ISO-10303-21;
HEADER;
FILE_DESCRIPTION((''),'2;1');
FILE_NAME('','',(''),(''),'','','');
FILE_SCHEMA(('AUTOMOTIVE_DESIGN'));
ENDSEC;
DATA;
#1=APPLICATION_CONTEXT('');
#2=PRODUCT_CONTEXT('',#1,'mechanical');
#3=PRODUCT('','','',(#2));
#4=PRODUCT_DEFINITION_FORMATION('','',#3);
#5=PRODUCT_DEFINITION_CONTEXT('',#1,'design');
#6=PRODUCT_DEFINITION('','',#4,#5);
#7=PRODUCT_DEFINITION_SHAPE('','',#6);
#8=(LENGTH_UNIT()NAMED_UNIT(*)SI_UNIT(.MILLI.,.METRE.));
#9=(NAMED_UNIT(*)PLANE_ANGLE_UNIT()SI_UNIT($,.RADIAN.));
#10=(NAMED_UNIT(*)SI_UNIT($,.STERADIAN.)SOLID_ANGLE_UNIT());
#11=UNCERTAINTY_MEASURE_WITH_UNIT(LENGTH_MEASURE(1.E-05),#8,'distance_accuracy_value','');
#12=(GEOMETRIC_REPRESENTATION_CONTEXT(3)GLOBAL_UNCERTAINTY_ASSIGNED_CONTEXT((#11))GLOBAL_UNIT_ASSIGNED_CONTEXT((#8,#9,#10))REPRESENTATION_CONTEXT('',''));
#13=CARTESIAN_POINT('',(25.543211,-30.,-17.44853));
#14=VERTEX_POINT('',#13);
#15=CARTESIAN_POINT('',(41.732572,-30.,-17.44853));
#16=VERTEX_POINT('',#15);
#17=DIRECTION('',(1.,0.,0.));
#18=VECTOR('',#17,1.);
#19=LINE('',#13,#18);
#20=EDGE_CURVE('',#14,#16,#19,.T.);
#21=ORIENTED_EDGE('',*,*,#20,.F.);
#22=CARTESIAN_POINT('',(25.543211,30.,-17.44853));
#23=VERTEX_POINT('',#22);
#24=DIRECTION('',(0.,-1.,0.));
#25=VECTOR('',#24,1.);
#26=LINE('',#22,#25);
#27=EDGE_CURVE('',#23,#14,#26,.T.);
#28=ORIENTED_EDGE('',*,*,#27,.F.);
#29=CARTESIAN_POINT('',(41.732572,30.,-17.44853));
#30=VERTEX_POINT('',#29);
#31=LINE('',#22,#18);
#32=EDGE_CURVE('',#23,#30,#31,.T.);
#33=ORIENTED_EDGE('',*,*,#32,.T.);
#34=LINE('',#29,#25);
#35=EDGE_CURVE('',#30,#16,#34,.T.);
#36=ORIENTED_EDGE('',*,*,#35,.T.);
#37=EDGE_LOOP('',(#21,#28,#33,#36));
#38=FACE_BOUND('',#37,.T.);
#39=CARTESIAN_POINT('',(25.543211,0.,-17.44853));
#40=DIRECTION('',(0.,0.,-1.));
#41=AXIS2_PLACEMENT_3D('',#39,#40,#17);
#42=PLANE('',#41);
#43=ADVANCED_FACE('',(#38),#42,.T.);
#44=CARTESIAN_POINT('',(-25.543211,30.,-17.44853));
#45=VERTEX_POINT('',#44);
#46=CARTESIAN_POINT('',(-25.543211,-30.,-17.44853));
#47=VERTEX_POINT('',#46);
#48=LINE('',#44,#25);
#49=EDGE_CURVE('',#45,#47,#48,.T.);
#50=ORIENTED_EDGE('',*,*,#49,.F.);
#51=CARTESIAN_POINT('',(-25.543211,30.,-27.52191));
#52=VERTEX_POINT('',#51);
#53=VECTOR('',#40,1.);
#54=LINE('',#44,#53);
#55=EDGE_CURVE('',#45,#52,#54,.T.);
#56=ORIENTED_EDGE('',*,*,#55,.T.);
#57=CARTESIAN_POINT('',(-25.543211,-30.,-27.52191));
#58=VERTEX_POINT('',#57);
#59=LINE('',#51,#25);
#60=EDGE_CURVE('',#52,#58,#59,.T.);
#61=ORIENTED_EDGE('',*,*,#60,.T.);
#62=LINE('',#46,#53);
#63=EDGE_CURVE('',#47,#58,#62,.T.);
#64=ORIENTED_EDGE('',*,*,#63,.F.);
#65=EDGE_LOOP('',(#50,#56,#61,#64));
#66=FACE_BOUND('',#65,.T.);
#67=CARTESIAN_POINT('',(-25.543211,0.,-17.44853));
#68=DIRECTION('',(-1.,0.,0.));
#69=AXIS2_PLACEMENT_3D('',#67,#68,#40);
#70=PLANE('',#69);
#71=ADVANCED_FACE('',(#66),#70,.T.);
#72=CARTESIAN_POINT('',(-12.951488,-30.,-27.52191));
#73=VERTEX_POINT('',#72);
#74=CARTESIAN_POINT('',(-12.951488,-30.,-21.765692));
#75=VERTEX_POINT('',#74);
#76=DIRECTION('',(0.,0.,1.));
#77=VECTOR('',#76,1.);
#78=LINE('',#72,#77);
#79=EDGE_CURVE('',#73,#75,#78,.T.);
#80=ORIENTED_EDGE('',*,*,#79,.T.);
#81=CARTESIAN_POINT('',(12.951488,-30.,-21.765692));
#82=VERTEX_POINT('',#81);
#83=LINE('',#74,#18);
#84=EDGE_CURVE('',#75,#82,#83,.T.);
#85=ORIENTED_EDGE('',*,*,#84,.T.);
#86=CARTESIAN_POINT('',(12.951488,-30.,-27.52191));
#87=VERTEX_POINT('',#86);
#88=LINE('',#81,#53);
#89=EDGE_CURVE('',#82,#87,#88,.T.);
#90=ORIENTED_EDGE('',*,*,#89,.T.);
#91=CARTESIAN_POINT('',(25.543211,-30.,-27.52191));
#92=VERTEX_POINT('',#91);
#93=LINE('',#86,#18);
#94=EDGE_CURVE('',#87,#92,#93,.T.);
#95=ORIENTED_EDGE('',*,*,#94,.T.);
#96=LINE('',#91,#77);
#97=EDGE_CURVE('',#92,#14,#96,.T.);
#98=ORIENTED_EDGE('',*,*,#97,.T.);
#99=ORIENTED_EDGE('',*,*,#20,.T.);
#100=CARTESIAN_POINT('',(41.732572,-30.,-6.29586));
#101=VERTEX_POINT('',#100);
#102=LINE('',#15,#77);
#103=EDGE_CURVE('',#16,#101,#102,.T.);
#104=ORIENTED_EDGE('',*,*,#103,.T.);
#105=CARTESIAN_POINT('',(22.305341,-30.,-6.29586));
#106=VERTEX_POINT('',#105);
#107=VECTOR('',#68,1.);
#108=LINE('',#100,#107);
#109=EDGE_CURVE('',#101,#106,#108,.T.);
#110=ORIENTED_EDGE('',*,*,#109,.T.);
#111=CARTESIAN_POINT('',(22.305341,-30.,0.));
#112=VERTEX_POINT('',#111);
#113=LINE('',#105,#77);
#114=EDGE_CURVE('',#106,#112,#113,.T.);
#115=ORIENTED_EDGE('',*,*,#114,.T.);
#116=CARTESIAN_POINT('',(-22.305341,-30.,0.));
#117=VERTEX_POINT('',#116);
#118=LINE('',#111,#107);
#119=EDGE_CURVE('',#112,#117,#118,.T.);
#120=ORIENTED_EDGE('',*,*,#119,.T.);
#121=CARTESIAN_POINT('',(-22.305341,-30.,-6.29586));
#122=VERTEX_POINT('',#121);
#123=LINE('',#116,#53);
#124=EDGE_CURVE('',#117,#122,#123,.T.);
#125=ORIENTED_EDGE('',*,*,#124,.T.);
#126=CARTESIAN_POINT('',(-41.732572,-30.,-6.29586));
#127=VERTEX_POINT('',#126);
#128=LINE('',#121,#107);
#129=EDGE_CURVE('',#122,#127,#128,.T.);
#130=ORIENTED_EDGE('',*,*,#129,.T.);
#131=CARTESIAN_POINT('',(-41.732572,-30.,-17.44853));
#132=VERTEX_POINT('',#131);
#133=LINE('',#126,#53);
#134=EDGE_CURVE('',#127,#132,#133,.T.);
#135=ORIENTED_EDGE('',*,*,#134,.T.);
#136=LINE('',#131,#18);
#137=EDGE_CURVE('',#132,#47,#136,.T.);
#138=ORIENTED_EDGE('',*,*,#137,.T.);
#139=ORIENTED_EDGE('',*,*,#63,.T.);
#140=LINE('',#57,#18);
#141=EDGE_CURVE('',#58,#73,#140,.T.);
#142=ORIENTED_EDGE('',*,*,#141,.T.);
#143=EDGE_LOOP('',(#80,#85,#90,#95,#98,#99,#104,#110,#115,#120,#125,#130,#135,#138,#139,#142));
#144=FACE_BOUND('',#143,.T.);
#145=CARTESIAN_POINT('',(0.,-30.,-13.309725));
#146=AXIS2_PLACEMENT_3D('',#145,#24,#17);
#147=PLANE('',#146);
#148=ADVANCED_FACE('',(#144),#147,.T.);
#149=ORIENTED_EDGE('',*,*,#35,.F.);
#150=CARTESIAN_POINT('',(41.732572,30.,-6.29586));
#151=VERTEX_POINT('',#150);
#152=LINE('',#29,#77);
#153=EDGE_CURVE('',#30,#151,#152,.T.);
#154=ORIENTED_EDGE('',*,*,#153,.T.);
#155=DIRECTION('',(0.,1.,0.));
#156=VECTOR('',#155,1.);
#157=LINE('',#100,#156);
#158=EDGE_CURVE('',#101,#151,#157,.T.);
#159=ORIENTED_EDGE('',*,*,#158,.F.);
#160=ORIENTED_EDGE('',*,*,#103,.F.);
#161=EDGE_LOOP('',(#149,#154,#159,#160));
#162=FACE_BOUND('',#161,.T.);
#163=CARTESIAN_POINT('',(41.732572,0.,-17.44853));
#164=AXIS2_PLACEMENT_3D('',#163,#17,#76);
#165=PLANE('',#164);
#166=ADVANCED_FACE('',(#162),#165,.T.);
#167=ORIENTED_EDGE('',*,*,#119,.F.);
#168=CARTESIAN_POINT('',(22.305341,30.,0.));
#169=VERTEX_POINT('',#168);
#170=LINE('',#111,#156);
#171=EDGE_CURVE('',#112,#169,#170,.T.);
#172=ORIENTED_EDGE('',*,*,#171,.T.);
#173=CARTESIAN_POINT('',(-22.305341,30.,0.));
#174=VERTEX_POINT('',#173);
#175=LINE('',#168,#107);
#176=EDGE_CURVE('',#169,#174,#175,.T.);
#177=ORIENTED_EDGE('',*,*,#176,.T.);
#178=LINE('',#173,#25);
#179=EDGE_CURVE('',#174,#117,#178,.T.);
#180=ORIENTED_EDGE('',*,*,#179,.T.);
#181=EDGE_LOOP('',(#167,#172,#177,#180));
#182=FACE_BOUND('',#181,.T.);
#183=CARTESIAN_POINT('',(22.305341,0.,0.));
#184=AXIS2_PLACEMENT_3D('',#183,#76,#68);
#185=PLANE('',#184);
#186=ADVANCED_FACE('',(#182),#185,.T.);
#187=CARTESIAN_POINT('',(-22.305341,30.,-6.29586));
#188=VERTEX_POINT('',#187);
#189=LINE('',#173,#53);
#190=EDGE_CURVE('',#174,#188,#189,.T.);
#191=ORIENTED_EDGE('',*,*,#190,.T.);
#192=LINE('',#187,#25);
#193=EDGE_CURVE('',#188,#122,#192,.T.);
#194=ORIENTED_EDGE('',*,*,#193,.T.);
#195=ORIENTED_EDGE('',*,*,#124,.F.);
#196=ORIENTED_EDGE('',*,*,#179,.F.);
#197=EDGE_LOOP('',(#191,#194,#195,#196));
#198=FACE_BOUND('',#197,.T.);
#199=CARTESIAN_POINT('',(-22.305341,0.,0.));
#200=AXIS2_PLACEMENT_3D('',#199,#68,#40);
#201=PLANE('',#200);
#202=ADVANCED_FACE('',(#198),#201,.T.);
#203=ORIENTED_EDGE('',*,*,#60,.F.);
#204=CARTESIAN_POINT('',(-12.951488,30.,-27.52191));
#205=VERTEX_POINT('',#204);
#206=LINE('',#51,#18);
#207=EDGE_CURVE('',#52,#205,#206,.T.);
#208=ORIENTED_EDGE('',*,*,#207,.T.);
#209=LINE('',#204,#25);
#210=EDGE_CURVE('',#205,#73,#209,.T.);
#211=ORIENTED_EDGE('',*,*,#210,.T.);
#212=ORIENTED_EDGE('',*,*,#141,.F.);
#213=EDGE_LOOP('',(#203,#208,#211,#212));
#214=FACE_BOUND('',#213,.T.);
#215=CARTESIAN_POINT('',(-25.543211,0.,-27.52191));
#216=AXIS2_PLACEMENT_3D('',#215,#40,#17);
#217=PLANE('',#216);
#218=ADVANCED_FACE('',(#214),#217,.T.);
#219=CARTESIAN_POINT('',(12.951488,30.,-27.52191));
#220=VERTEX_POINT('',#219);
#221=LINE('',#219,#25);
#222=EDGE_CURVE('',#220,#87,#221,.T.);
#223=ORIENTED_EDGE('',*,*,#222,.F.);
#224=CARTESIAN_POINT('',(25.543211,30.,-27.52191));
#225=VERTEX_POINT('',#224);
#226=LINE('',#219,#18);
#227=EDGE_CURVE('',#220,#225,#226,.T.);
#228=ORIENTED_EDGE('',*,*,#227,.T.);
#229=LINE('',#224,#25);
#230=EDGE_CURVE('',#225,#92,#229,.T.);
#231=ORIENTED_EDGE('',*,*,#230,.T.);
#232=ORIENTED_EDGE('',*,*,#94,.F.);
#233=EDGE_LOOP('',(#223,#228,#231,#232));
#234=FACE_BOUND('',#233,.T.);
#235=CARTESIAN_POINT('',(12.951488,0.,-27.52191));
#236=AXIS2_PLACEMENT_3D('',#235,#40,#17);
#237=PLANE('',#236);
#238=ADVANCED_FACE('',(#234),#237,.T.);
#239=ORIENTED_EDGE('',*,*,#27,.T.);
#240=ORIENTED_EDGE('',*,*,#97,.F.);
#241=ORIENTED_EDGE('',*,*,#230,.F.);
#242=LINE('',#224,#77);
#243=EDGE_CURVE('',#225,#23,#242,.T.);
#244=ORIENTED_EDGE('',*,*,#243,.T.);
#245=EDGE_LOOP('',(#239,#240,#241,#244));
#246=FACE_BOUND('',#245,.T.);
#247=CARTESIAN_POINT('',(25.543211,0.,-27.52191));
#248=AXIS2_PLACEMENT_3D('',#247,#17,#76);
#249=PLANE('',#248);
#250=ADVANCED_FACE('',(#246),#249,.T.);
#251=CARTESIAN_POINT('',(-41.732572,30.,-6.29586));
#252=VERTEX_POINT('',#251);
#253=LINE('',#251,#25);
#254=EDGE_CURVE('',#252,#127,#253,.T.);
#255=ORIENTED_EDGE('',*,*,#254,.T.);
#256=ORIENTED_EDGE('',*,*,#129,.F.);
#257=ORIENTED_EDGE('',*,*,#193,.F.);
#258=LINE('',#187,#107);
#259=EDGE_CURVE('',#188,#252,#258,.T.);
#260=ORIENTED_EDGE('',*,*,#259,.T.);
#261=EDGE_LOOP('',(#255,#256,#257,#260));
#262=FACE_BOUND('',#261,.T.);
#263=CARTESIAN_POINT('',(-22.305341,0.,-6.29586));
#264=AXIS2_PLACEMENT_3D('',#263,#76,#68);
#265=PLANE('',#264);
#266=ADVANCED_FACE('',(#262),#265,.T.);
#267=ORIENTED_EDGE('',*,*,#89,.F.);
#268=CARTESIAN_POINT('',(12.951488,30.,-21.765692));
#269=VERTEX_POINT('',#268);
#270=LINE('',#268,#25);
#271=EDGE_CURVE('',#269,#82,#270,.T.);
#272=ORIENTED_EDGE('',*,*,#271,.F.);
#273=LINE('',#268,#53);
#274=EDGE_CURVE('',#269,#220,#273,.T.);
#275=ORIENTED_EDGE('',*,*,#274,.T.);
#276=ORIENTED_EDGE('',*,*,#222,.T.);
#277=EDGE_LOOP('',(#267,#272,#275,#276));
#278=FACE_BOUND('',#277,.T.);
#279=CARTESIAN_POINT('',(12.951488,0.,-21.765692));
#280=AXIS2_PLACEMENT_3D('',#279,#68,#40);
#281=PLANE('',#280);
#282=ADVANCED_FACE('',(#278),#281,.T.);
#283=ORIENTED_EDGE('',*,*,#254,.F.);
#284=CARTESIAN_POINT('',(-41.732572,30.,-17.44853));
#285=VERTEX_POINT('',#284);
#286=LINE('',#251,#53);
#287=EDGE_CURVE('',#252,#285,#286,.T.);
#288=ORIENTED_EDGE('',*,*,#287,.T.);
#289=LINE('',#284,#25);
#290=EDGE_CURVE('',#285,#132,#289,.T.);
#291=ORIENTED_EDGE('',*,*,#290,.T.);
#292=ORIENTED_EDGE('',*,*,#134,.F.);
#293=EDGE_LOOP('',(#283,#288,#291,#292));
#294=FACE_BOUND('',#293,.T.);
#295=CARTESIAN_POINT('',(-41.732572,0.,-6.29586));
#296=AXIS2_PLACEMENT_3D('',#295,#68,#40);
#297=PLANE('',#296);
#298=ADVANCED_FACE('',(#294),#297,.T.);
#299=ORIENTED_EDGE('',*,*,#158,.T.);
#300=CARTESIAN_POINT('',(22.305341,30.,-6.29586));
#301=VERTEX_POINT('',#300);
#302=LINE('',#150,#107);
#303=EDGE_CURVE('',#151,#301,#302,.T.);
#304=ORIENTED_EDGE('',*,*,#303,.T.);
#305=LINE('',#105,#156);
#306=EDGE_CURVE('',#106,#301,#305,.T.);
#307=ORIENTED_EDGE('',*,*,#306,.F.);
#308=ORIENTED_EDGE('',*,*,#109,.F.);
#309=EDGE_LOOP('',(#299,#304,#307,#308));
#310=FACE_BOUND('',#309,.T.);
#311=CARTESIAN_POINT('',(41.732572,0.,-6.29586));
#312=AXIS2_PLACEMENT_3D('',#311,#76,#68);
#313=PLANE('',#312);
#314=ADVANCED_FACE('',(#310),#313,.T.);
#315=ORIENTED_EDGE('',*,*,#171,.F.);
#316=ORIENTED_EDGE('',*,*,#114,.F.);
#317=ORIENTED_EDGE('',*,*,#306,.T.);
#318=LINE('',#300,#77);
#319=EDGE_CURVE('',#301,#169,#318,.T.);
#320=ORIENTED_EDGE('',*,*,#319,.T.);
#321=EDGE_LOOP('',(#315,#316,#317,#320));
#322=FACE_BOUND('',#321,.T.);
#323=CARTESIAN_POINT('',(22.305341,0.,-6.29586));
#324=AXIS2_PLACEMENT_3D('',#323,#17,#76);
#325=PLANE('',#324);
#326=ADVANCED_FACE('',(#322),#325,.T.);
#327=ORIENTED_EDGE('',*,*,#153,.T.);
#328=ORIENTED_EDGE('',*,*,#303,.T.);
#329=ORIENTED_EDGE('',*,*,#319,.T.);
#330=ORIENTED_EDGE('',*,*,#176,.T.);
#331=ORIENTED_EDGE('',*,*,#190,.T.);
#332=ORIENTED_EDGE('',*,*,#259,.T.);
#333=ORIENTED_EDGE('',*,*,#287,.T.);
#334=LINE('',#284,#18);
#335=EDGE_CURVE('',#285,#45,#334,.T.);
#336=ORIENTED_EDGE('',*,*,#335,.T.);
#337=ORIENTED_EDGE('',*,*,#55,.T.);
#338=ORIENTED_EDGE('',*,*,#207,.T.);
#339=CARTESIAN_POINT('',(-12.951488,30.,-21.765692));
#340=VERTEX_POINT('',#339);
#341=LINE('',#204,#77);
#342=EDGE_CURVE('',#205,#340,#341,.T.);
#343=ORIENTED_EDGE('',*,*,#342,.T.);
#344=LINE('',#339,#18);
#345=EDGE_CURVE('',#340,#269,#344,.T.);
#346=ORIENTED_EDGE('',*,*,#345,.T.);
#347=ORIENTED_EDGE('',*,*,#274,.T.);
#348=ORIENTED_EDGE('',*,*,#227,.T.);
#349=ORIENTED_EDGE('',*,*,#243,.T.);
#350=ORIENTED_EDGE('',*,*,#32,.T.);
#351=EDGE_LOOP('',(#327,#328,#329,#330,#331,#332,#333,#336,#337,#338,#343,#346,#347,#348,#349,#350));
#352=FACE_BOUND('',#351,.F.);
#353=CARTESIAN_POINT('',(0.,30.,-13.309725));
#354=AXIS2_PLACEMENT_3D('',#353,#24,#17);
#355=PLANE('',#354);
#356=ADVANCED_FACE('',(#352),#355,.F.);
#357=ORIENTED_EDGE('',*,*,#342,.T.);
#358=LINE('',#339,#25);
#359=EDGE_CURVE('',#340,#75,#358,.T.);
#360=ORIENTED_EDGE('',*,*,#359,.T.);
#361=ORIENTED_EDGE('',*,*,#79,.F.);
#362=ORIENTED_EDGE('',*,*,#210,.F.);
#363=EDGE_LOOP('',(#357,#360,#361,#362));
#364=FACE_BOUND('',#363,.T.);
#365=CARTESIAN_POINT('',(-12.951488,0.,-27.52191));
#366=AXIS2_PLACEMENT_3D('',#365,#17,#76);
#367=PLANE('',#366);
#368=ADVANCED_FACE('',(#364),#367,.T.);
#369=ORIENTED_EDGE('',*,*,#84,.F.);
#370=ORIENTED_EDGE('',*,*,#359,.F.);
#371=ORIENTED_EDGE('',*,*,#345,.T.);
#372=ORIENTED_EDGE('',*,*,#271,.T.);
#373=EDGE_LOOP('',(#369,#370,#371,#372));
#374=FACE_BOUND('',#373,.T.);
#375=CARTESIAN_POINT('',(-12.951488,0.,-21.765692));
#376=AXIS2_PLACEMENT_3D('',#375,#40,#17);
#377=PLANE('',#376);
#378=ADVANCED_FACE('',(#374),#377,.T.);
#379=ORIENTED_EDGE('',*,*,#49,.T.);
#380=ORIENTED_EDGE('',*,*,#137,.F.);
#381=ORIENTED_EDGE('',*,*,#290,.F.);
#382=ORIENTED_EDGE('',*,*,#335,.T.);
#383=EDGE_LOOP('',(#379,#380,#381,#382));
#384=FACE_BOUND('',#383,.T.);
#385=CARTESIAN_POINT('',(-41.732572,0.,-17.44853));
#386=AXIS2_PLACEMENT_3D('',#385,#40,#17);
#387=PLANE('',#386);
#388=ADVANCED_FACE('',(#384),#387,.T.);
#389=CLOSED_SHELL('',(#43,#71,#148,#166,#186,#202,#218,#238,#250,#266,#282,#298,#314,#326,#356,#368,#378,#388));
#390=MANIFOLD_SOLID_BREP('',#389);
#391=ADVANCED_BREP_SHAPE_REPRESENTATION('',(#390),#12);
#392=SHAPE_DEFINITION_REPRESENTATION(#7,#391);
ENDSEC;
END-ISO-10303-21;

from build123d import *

# Parameters (mm, degrees)
F1_DEPTH = 30


with BuildPart() as f1:
    # F0 (on Front) → F1 (new body, symmetric)
    with BuildSketch(Plane.XZ):
        Polygon((22.305341, 0), (0, 0), (-22.305341, 0), (-22.305341, -6.29586), (-41.732572, -6.29586), (-41.732572, -17.44853), (-25.543211, -17.44853), (-25.543211, -27.52191), (-12.951488, -27.52191), (-12.951488, -21.765692), (0, -21.765692), (12.951488, -21.765692), (12.951488, -27.52191), (25.543211, -27.52191), (25.543211, -17.44853), (41.732572, -17.44853), (41.732572, -6.29586), (22.305341, -6.29586), align=None)
    extrude(amount=F1_DEPTH, both=True)


solid = f1.part
